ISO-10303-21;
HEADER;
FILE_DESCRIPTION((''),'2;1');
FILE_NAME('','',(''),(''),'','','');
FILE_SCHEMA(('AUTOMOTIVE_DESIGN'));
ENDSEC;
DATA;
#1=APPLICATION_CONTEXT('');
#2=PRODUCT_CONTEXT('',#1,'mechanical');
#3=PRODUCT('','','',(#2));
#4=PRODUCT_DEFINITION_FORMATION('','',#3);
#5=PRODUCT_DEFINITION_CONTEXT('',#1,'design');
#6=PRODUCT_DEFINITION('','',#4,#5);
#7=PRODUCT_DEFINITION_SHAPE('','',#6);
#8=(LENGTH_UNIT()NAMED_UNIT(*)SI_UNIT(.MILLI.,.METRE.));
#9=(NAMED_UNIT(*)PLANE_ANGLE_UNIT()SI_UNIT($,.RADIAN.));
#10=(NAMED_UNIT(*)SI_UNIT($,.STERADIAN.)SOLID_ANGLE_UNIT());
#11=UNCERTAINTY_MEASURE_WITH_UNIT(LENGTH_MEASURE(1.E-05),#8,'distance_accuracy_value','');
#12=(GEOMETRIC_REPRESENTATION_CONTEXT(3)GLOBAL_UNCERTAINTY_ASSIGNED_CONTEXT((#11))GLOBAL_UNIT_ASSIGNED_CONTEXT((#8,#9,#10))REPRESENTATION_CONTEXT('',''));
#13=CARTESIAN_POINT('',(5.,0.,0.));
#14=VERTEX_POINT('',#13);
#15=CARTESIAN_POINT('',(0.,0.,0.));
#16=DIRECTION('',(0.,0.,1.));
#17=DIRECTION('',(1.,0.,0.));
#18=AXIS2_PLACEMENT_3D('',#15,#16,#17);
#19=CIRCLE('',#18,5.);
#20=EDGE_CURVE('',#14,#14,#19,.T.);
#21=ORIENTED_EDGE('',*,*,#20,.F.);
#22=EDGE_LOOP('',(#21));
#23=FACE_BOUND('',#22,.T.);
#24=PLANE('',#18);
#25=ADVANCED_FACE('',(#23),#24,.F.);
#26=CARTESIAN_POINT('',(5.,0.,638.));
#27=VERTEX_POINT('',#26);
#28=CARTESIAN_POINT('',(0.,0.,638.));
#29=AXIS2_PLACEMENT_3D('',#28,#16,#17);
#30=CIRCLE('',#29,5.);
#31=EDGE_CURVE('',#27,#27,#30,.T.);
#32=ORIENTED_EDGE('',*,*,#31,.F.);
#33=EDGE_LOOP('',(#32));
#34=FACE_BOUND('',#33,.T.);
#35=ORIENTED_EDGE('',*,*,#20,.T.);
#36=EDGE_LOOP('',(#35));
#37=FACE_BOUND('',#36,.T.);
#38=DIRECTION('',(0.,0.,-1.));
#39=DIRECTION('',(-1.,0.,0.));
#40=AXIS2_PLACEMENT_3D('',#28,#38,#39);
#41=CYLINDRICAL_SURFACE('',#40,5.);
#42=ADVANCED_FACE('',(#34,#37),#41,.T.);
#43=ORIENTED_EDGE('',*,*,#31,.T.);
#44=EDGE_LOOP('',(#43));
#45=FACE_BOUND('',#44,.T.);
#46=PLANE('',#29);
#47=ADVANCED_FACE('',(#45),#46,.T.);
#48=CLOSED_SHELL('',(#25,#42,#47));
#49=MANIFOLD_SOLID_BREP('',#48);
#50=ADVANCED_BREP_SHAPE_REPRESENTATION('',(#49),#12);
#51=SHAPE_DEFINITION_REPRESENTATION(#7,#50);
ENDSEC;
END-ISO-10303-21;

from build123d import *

# Parameters (mm, degrees)
ESQUISSE1_R        = 5
BOSS_EXTRU_1_DEPTH = 638


with BuildPart() as part:
    # Esquisse1 → Boss.-Extru.1 (new body)
    with BuildSketch(Plane.XY):
        Circle(ESQUISSE1_R)
    extrude(amount=BOSS_EXTRU_1_DEPTH)


solid = part.part
